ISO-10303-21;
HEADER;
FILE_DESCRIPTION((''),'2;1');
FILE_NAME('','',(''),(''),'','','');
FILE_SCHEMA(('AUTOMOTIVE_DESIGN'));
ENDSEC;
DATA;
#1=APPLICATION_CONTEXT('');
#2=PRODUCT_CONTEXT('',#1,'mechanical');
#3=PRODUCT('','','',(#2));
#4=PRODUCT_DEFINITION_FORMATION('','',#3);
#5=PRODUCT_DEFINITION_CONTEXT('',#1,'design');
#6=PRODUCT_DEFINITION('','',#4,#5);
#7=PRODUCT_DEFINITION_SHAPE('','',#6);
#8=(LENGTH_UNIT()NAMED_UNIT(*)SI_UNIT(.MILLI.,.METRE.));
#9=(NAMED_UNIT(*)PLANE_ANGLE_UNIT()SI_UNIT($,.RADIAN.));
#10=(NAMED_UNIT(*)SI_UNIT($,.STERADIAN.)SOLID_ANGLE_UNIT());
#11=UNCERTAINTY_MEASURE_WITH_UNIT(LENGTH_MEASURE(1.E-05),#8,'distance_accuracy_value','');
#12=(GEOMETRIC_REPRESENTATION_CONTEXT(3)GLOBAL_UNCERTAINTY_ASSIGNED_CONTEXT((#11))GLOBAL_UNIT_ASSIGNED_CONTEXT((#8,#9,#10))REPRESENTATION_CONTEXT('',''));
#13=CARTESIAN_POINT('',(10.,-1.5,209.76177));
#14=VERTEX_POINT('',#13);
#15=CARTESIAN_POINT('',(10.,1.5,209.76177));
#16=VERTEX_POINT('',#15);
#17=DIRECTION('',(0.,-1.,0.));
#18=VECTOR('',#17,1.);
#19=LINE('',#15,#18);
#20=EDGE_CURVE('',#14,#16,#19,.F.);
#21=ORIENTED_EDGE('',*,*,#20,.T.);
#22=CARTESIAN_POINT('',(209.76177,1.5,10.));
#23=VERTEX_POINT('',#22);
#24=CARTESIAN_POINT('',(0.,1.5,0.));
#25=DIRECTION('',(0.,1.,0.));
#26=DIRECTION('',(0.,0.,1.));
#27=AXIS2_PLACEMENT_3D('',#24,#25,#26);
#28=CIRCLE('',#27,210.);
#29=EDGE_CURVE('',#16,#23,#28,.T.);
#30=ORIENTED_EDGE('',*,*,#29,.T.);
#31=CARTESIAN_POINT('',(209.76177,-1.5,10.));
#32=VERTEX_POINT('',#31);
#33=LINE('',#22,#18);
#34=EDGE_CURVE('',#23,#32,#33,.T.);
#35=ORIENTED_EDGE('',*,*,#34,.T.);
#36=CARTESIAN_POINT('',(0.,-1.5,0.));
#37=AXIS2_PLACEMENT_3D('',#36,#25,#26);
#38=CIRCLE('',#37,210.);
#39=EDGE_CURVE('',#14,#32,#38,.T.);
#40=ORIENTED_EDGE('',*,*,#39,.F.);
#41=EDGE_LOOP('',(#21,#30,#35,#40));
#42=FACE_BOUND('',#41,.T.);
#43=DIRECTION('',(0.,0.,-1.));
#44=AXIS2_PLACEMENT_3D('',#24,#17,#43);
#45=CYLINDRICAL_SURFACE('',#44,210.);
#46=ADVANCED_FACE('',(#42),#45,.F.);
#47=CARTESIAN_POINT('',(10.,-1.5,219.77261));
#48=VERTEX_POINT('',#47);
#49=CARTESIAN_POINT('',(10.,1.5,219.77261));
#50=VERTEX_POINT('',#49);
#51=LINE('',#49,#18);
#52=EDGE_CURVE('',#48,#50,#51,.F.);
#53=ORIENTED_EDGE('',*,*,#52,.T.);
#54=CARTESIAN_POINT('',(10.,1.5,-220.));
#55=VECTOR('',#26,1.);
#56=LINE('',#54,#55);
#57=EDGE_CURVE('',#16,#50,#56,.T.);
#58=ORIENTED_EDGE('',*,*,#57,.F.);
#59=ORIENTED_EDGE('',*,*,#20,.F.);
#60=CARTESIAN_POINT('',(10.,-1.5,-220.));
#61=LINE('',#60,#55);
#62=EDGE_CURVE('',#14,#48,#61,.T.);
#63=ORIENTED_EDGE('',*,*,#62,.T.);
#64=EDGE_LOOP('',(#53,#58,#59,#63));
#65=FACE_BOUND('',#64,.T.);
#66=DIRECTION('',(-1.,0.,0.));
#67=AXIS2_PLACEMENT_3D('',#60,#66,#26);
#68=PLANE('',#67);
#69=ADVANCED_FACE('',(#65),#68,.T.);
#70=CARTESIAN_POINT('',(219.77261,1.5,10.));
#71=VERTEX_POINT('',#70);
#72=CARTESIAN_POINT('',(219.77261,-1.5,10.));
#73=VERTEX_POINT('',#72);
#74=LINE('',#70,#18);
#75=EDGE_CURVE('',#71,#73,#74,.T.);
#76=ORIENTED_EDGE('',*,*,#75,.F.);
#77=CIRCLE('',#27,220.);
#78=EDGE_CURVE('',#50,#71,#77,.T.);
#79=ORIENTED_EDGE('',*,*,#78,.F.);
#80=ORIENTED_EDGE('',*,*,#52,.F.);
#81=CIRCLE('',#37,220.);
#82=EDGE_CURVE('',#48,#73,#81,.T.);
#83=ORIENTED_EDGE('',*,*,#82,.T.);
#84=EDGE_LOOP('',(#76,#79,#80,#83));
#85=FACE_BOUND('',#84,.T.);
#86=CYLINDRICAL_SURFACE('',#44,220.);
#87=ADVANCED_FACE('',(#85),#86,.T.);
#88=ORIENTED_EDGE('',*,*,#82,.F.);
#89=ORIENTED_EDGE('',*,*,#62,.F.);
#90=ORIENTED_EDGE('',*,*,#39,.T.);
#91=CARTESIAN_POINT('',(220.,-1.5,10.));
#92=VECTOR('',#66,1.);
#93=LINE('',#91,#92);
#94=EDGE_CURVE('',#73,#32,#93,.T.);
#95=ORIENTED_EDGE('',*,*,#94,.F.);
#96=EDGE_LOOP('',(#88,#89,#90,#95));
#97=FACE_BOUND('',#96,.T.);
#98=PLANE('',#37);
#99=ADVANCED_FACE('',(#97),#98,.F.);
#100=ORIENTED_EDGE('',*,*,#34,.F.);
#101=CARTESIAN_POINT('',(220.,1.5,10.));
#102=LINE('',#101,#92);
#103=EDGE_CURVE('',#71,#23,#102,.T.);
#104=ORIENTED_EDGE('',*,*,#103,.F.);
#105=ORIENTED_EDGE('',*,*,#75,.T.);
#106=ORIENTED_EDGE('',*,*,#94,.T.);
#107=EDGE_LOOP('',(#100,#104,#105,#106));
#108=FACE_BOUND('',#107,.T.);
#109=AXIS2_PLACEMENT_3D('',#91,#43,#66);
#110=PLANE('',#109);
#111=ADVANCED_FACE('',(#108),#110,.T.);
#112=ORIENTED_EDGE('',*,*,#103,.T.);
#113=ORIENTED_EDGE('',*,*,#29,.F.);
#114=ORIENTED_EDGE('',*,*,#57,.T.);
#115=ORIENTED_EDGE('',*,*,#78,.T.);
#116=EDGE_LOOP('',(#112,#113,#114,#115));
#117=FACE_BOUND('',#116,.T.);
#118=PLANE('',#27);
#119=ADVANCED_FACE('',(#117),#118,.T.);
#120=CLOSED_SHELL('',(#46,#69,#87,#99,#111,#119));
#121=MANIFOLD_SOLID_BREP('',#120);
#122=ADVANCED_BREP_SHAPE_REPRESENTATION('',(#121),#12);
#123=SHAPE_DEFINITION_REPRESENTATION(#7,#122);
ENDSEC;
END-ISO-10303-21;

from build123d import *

# Parameters (mm, degrees)
SKETCH1_R            = 220
SKETCH1_R_2          = 210
BOSS_EXTRUDE1_DEPTH  = 1.5
QUADRUPLE_DEPTH      = 312.130599588
QUADRUPLE_DEPTH_BACK = 312.130599588
SKETCH2_W            = 20
SKETCH2_H            = 440
SKETCH2_W_2          = 440
SKETCH2_H_2          = 20
SKETCH4_W            = 439.545219516
SKETCH4_H            = 3
HALF_DEPTH           = 311.809024965
SKETCH5_W            = 439.545219516
SKETCH5_H            = 3
QUARTER_DEPTH        = 311.809024965


with BuildPart() as part:
    # Sketch1 → Boss-Extrude1 (new, symmetric)
    with BuildSketch(Plane(origin=(0, 0, 0), x_dir=(1, 0, 0), z_dir=(0, 1, 0))):
        with Locations(Location((0, 0, 0), (0, 0, 270))):
            Circle(SKETCH1_R)
        with Locations(Location((0, 0, 0), (0, 0, 270))):
            Circle(SKETCH1_R_2, mode=Mode.SUBTRACT)
    extrude(amount=BOSS_EXTRUDE1_DEPTH, both=True)

    # Sketch2 → quadruple (cut, two sides: drawn at the far end of the back side and taken through both)
    with BuildSketch(Plane(origin=(0, 0, 0), x_dir=(1, 0, 0), z_dir=(0, 1, 0)).offset(-QUADRUPLE_DEPTH_BACK)):
        Rectangle(SKETCH2_W, SKETCH2_H)
        Rectangle(SKETCH2_W_2, SKETCH2_H_2)
    extrude(amount=QUADRUPLE_DEPTH + QUADRUPLE_DEPTH_BACK, mode=Mode.SUBTRACT)


with BuildPart() as quadruple_piece_1:
    # of the separate pieces the step leaves, piece 1, a body of its own (quadruple_pieces)
    add(part.part.solids().sort_by_distance((-219.772609758, -1.5, 10))[0])

    # Sketch5 → quarter (cut, through all)
    with BuildSketch(Plane(origin=(0, 0, 0), x_dir=(0, 0, -1), z_dir=(1, 0, 0))):
        Rectangle(SKETCH5_W, SKETCH5_H)
    extrude(amount=-QUARTER_DEPTH, mode=Mode.SUBTRACT)


with BuildPart() as quadruple_piece_2:
    # of the separate pieces the step leaves, piece 2, a body of its own (quadruple_pieces)
    add(part.part.solids().sort_by_distance((-10, 1.5, -219.772609758))[0])


with BuildPart() as quadruple_piece_3:
    # of the separate pieces the step leaves, piece 3, a body of its own (quadruple_pieces)
    add(part.part.solids().sort_by_distance((10, -1.5, 219.772609758))[0])


with BuildPart() as quadruple_piece_4:
    # of the separate pieces the step leaves, piece 4, a body of its own (quadruple_pieces)
    add(part.part.solids().sort_by_distance((209.761769634, 1.5, -10))[0])


with BuildPart() as half_tool:
    # Sketch4 → half (new, through all)
    with BuildSketch(Plane.XY):
        Rectangle(SKETCH4_W, SKETCH4_H)
    extrude(amount=-HALF_DEPTH)


with BuildPart() as quadruple_piece_2_1:
    add(quadruple_piece_2.part)

    # half: cut by half_tool
    add(half_tool.part, mode=Mode.SUBTRACT)


with BuildPart() as quadruple_piece_4_1:
    add(quadruple_piece_4.part)

    # half: cut by half_tool
    add(half_tool.part, mode=Mode.SUBTRACT)


solid = quadruple_piece_3.part
